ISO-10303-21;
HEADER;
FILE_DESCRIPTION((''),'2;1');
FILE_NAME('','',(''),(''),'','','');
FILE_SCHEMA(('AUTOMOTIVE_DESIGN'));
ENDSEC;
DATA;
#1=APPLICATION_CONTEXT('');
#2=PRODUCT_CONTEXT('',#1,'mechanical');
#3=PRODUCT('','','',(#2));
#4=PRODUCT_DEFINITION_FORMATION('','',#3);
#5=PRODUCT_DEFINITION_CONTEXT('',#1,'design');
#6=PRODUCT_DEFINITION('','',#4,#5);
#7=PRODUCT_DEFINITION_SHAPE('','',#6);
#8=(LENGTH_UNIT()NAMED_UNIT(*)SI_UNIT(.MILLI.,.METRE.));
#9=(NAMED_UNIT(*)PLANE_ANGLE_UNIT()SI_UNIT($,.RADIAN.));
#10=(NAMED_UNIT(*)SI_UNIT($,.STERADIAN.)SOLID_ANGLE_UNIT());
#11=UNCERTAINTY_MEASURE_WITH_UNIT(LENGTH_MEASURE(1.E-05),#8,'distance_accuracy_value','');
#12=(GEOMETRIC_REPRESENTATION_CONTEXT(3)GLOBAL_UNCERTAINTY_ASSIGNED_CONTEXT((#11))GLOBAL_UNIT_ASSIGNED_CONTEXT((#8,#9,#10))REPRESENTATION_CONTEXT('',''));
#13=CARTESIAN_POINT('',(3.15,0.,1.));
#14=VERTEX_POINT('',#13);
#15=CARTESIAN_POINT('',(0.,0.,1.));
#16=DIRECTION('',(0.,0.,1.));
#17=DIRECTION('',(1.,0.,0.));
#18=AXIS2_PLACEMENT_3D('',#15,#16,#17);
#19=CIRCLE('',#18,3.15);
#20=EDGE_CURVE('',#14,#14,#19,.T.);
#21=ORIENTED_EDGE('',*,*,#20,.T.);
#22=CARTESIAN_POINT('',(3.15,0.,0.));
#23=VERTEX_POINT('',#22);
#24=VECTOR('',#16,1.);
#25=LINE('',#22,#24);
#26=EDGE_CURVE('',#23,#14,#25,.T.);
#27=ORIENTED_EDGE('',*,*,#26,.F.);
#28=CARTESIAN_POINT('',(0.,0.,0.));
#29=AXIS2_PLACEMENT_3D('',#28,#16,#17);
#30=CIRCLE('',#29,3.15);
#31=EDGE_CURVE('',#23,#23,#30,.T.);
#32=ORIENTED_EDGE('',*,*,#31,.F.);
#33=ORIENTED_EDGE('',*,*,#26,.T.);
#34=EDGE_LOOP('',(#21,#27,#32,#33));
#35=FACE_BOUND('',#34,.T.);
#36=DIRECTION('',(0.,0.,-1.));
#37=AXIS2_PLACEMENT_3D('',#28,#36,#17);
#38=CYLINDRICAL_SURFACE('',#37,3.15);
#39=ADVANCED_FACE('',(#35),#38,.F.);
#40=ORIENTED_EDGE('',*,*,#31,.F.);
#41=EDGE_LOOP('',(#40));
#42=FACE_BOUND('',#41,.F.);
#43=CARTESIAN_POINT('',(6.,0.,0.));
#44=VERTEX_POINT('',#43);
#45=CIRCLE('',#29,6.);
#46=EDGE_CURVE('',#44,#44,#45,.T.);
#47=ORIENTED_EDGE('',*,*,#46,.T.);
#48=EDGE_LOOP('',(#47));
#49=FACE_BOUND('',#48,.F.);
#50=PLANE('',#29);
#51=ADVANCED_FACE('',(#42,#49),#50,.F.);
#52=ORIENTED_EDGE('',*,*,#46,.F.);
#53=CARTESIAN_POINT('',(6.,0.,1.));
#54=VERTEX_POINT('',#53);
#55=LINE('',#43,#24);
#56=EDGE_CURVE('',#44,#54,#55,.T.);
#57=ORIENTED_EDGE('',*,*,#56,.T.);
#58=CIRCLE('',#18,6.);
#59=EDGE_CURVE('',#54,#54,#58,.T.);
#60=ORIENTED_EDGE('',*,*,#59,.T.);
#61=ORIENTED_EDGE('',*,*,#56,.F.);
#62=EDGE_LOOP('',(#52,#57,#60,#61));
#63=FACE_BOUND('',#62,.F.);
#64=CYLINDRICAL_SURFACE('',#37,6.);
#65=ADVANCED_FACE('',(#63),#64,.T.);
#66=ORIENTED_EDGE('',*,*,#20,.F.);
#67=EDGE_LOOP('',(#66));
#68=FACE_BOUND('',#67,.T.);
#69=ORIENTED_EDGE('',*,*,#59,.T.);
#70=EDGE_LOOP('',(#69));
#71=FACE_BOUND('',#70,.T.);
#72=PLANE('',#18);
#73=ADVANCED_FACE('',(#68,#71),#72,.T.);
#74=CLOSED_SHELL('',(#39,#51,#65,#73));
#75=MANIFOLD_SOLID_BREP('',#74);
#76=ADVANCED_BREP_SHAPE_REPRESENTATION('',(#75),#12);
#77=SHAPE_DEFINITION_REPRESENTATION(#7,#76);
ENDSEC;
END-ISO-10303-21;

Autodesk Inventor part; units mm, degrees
ref_plane "YZ Plane" through (0, 0, 0) normal (1, 0, 0) x (0, 1, 0)
ref_plane "XZ Plane" through (0, 0, 0) normal (0, 1, 0) x (-1, 0, 0)
ref_plane "XY Plane" through (0, 0, 0) normal (0, 0, 1) x (1, 0, 0)
sketch "スケッチ1" plane through (0, 0, 0) normal (0, 0, 1) x (1, 0, 0)
  circle A0 centre (0, 0) radius 3.15
  circle A1 centre (0, 0) radius 6
  dimension "d0" = 6.3
  dimension "d1" = 12
extrude "押し出し1" add sketch "スケッチ1" along normal blind 1
properties part number "TT-0612-10" material "PET プラスチック"
